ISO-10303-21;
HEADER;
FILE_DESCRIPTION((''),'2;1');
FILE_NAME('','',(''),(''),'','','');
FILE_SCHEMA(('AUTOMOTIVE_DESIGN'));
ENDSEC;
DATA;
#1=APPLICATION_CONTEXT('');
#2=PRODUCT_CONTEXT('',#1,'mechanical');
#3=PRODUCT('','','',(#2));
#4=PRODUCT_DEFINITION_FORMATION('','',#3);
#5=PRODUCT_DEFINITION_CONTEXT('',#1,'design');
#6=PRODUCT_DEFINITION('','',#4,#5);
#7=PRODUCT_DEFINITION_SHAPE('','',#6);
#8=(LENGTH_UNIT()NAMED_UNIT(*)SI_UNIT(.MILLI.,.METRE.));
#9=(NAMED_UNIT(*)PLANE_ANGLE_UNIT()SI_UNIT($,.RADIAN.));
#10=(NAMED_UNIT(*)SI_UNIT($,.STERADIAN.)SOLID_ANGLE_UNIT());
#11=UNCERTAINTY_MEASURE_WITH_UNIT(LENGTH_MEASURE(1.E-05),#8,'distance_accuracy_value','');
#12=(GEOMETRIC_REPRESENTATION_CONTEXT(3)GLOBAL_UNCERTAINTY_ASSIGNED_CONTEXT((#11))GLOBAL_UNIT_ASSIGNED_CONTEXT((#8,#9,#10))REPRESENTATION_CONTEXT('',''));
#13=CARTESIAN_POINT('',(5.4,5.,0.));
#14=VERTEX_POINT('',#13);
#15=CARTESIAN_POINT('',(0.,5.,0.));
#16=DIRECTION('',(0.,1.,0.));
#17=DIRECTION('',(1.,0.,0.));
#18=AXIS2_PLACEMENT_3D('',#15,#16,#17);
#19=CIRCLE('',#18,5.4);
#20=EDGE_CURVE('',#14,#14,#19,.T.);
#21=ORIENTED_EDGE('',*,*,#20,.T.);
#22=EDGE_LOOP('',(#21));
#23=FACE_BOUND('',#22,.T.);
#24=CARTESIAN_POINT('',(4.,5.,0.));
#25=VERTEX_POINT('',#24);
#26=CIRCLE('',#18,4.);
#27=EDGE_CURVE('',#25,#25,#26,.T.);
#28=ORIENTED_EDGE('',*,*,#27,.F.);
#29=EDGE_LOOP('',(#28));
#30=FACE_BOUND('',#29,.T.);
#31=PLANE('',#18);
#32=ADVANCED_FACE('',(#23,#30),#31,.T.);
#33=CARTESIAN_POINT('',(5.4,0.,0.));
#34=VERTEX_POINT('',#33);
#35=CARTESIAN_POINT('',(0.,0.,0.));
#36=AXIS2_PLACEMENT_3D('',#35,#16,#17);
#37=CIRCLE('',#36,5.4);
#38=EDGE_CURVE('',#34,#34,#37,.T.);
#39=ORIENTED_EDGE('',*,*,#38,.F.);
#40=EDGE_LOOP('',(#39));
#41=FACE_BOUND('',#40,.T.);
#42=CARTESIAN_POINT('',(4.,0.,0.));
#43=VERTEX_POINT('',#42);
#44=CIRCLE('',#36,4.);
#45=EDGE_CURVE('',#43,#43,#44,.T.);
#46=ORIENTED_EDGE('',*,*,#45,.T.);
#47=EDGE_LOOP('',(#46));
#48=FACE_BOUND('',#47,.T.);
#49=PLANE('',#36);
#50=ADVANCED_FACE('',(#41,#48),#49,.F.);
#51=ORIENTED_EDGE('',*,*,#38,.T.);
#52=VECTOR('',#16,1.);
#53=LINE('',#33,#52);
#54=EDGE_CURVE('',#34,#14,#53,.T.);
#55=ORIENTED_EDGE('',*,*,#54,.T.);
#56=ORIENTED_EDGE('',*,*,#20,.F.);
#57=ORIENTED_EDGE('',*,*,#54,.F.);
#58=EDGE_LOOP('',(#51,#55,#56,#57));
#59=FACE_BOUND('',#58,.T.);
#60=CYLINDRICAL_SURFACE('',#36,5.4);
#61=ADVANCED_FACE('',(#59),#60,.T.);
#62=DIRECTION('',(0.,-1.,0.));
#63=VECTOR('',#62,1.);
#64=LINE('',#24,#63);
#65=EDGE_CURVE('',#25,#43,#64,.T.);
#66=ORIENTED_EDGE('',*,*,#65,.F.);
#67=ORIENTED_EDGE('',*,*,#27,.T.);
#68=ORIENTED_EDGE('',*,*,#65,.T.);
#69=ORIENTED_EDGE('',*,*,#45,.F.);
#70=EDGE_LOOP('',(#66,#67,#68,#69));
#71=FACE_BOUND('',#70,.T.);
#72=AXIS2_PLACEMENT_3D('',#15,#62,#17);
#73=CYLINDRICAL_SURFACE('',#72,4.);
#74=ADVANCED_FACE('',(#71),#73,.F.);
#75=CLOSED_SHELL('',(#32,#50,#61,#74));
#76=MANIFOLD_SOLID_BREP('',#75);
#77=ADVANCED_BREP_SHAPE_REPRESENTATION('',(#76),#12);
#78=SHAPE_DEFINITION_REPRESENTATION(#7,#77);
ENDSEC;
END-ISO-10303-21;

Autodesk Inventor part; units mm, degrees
ref_plane "YZ Plane" through (0, 0, 0) normal (1, 0, 0) x (0, 1, 0)
ref_plane "XZ Plane" through (0, 0, 0) normal (0, 1, 0) x (-1, 0, 0)
ref_plane "XY Plane" through (0, 0, 0) normal (0, 0, 1) x (1, 0, 0)
sketch "Sketch1" plane through (0, 0, 0) normal (0, 0, 1) x (1, 0, 0)
  line L0 (4, 0) -> (5.4, 0)
  line L1 (5.4, 0) -> (5.4, 5)
  line L2 (5.4, 5) -> (4, 5)
  line L3 (4, 5) -> (4, 0)
  line L4 (0, -1) -> (0, 6) projected
  point P0 (0, 0)
  dimension "d0" = 4
  dimension "d1" = 1.4
  dimension "d2" = 5
revolve "Revolution1" add sketch "Sketch1" angle 360 about axis through (0, -10, 0) along (0, 1, 0)
properties part number "Large Spacer"
